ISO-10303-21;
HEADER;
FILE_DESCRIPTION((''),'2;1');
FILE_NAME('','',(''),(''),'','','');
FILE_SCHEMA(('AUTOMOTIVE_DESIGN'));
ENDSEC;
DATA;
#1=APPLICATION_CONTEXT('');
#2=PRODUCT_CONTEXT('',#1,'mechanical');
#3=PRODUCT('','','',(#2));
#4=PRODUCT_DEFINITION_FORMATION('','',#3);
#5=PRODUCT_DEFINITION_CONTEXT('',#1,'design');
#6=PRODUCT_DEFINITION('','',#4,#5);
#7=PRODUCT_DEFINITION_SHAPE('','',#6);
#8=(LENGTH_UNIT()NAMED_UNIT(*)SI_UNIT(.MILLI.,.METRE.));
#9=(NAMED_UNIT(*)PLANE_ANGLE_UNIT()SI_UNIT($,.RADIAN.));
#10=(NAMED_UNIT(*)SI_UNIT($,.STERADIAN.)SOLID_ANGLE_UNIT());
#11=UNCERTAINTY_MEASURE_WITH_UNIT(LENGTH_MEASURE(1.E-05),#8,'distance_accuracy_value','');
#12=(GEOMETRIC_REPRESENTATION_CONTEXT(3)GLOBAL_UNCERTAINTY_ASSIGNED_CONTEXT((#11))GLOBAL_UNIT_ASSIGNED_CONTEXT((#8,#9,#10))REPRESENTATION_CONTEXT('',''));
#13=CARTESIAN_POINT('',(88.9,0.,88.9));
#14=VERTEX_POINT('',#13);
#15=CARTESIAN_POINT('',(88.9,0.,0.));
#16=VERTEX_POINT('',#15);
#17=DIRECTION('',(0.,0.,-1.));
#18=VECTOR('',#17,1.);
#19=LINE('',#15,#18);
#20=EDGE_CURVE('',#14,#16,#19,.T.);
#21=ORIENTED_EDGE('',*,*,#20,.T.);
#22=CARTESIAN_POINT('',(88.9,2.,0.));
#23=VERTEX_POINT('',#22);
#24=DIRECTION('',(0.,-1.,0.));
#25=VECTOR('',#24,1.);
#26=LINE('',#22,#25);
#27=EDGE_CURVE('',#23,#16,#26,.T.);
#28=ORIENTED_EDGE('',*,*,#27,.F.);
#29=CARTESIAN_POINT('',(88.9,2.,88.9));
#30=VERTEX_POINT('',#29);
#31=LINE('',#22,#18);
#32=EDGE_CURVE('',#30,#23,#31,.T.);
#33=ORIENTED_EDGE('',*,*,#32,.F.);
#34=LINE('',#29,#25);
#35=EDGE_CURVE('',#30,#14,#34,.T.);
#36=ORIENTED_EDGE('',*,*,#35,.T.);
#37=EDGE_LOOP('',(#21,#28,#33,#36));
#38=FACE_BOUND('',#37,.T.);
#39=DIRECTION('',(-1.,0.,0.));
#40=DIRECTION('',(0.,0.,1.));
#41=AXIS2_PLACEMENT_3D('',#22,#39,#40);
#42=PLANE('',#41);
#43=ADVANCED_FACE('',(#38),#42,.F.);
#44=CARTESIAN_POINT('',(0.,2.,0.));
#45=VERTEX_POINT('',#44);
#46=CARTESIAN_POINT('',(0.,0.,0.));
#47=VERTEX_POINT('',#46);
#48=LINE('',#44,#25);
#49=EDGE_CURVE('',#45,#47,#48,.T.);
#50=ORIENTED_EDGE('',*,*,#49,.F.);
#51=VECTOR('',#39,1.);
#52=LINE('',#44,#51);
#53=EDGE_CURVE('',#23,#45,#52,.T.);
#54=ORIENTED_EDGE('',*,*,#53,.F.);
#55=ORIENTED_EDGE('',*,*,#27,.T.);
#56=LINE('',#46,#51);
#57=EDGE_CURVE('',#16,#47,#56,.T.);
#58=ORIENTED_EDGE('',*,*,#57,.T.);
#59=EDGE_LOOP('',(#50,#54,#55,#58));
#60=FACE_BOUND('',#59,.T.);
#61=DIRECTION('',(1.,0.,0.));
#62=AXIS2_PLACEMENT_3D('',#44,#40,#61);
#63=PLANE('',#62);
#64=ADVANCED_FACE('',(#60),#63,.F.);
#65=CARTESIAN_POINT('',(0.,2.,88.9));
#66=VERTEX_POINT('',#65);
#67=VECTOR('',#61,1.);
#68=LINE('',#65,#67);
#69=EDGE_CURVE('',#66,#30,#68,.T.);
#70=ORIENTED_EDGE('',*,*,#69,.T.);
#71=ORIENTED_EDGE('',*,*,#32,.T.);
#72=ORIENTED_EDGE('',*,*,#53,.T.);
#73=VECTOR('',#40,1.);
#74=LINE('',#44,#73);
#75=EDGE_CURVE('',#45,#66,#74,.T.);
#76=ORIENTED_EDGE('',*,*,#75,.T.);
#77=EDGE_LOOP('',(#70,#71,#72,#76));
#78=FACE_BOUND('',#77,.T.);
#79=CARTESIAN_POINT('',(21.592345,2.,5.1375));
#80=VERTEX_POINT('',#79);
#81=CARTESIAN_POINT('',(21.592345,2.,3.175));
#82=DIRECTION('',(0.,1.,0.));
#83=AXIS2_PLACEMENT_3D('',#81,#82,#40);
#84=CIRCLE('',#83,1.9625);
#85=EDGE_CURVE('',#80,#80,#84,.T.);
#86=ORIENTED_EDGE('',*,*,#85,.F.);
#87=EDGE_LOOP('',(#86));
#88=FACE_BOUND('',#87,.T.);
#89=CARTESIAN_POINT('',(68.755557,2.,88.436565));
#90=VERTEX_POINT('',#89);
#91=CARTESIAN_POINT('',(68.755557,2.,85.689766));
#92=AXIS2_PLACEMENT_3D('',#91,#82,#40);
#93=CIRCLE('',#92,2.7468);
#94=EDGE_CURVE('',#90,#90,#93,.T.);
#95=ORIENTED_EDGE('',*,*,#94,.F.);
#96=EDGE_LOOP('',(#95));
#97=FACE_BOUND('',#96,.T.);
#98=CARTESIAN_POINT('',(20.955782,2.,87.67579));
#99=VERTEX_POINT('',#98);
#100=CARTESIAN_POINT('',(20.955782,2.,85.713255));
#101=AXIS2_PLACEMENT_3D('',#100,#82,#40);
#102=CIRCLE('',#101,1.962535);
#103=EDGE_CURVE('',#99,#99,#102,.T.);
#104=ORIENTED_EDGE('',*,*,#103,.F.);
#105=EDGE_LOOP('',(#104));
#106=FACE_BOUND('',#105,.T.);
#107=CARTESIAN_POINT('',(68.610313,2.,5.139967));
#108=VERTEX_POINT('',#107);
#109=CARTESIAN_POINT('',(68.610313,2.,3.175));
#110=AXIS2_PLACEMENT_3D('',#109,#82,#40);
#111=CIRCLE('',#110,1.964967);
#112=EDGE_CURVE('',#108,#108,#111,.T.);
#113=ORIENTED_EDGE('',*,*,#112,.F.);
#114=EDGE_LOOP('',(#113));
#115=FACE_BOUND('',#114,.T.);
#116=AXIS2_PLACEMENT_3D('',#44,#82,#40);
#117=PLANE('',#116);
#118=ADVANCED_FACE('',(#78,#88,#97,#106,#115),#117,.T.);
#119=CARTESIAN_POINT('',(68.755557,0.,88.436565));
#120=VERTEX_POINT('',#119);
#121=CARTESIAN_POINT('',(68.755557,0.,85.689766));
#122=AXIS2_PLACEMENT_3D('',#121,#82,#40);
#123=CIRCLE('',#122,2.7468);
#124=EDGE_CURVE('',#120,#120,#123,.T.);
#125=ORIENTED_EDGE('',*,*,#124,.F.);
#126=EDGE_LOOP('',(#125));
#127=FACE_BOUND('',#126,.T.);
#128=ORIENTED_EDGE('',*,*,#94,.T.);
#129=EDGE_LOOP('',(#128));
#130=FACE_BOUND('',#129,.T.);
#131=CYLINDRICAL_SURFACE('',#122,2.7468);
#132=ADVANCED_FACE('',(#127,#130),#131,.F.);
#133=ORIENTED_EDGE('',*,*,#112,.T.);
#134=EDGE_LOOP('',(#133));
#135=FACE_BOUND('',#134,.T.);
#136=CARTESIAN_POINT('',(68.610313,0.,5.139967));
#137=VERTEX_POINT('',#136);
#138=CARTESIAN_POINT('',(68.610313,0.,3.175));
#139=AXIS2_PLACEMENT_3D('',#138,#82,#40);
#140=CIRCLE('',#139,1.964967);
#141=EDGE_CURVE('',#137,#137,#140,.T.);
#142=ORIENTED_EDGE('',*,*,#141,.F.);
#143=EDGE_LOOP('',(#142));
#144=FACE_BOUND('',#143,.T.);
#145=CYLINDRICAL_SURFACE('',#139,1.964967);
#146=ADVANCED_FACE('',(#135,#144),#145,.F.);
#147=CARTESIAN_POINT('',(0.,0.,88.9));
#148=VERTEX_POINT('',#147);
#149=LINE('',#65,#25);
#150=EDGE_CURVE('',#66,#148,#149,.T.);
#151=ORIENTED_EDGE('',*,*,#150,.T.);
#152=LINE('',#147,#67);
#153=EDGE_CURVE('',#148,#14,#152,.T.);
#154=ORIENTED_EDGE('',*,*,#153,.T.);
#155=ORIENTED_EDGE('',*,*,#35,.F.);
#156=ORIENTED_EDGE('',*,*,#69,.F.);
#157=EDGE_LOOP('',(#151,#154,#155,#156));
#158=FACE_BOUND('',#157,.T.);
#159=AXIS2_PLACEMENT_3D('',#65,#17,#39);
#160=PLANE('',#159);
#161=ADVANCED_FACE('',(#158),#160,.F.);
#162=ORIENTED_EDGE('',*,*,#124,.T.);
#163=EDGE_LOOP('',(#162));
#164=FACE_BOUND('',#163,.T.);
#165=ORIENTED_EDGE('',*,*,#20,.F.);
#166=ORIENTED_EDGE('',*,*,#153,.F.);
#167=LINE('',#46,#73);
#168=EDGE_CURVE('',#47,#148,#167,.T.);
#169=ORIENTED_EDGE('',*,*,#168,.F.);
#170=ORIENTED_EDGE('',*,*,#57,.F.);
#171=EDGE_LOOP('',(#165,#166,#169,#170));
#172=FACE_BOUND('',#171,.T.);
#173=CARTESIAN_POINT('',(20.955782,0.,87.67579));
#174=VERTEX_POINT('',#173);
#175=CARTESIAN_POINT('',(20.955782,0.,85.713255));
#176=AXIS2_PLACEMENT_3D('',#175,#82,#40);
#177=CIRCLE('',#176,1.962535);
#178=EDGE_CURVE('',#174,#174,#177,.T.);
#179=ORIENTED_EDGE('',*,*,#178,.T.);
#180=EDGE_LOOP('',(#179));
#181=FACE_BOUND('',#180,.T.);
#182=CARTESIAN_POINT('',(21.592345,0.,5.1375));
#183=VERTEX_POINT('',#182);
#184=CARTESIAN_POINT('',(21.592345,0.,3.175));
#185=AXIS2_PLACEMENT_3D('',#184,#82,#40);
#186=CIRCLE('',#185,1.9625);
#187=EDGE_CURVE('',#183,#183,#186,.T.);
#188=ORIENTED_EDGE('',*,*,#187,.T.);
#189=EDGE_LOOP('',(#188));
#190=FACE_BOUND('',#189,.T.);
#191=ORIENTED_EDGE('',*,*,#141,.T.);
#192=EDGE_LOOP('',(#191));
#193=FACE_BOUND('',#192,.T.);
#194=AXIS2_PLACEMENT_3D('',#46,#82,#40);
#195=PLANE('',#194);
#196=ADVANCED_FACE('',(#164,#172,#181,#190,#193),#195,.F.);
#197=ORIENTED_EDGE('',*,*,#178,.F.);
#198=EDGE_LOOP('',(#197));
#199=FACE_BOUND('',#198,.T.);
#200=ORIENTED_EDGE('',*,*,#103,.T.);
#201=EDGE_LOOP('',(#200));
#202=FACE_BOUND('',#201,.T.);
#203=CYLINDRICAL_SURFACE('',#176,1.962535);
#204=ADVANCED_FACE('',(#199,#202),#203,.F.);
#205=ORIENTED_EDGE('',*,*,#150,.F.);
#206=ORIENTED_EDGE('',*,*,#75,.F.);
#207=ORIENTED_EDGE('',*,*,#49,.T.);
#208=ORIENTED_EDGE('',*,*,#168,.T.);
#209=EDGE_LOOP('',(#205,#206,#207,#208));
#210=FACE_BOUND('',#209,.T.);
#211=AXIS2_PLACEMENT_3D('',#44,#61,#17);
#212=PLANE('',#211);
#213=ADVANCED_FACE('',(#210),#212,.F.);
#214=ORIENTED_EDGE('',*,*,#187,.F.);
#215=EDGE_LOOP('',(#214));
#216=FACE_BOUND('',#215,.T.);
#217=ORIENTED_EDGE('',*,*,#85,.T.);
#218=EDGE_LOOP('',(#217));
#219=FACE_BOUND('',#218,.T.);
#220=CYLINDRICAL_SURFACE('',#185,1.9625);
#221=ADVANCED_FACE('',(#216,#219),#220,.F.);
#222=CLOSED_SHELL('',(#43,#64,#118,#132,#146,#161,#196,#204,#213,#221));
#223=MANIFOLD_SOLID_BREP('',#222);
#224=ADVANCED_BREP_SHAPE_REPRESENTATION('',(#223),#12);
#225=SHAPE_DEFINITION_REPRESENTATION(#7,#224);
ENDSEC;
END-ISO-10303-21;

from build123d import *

# Parameters (mm, degrees)
SKETCH1_W           = 88.9
SKETCH1_H           = 88.9
BOSS_EXTRUDE1_DEPTH = 2
SKETCH2_R           = 1.9625
SKETCH2_R_2         = 1.964966766
SKETCH2_R_3         = 2.746799525
SKETCH2_R_4         = 1.962535143
CUT_EXTRUDE1_DEPTH  = 3


with BuildPart() as part:
    # Sketch1 → Boss-Extrude1 (new body)
    with BuildSketch(Plane(origin=(0, 0, 0), x_dir=(1, 0, 0), z_dir=(0, 1, 0))):
        with Locations((44.45, -44.45)):
            Rectangle(SKETCH1_W, SKETCH1_H)
    extrude(amount=BOSS_EXTRUDE1_DEPTH)

    # Sketch2 → Cut-Extrude1 (cut, through all)
    with BuildSketch(Plane(origin=(0, 2, 0), x_dir=(1, 0, 0), z_dir=(0, 1, 0))):
        with Locations((21.592344531, -3.175)):
            Circle(SKETCH2_R)
        with Locations((68.610312584, -3.175)):
            Circle(SKETCH2_R_2)
        with Locations((68.755557213, -85.689765828)):
            Circle(SKETCH2_R_3)
        with Locations((20.95578151, -85.713255276)):
            Circle(SKETCH2_R_4)
    extrude(amount=-CUT_EXTRUDE1_DEPTH, mode=Mode.SUBTRACT)


solid = part.part
